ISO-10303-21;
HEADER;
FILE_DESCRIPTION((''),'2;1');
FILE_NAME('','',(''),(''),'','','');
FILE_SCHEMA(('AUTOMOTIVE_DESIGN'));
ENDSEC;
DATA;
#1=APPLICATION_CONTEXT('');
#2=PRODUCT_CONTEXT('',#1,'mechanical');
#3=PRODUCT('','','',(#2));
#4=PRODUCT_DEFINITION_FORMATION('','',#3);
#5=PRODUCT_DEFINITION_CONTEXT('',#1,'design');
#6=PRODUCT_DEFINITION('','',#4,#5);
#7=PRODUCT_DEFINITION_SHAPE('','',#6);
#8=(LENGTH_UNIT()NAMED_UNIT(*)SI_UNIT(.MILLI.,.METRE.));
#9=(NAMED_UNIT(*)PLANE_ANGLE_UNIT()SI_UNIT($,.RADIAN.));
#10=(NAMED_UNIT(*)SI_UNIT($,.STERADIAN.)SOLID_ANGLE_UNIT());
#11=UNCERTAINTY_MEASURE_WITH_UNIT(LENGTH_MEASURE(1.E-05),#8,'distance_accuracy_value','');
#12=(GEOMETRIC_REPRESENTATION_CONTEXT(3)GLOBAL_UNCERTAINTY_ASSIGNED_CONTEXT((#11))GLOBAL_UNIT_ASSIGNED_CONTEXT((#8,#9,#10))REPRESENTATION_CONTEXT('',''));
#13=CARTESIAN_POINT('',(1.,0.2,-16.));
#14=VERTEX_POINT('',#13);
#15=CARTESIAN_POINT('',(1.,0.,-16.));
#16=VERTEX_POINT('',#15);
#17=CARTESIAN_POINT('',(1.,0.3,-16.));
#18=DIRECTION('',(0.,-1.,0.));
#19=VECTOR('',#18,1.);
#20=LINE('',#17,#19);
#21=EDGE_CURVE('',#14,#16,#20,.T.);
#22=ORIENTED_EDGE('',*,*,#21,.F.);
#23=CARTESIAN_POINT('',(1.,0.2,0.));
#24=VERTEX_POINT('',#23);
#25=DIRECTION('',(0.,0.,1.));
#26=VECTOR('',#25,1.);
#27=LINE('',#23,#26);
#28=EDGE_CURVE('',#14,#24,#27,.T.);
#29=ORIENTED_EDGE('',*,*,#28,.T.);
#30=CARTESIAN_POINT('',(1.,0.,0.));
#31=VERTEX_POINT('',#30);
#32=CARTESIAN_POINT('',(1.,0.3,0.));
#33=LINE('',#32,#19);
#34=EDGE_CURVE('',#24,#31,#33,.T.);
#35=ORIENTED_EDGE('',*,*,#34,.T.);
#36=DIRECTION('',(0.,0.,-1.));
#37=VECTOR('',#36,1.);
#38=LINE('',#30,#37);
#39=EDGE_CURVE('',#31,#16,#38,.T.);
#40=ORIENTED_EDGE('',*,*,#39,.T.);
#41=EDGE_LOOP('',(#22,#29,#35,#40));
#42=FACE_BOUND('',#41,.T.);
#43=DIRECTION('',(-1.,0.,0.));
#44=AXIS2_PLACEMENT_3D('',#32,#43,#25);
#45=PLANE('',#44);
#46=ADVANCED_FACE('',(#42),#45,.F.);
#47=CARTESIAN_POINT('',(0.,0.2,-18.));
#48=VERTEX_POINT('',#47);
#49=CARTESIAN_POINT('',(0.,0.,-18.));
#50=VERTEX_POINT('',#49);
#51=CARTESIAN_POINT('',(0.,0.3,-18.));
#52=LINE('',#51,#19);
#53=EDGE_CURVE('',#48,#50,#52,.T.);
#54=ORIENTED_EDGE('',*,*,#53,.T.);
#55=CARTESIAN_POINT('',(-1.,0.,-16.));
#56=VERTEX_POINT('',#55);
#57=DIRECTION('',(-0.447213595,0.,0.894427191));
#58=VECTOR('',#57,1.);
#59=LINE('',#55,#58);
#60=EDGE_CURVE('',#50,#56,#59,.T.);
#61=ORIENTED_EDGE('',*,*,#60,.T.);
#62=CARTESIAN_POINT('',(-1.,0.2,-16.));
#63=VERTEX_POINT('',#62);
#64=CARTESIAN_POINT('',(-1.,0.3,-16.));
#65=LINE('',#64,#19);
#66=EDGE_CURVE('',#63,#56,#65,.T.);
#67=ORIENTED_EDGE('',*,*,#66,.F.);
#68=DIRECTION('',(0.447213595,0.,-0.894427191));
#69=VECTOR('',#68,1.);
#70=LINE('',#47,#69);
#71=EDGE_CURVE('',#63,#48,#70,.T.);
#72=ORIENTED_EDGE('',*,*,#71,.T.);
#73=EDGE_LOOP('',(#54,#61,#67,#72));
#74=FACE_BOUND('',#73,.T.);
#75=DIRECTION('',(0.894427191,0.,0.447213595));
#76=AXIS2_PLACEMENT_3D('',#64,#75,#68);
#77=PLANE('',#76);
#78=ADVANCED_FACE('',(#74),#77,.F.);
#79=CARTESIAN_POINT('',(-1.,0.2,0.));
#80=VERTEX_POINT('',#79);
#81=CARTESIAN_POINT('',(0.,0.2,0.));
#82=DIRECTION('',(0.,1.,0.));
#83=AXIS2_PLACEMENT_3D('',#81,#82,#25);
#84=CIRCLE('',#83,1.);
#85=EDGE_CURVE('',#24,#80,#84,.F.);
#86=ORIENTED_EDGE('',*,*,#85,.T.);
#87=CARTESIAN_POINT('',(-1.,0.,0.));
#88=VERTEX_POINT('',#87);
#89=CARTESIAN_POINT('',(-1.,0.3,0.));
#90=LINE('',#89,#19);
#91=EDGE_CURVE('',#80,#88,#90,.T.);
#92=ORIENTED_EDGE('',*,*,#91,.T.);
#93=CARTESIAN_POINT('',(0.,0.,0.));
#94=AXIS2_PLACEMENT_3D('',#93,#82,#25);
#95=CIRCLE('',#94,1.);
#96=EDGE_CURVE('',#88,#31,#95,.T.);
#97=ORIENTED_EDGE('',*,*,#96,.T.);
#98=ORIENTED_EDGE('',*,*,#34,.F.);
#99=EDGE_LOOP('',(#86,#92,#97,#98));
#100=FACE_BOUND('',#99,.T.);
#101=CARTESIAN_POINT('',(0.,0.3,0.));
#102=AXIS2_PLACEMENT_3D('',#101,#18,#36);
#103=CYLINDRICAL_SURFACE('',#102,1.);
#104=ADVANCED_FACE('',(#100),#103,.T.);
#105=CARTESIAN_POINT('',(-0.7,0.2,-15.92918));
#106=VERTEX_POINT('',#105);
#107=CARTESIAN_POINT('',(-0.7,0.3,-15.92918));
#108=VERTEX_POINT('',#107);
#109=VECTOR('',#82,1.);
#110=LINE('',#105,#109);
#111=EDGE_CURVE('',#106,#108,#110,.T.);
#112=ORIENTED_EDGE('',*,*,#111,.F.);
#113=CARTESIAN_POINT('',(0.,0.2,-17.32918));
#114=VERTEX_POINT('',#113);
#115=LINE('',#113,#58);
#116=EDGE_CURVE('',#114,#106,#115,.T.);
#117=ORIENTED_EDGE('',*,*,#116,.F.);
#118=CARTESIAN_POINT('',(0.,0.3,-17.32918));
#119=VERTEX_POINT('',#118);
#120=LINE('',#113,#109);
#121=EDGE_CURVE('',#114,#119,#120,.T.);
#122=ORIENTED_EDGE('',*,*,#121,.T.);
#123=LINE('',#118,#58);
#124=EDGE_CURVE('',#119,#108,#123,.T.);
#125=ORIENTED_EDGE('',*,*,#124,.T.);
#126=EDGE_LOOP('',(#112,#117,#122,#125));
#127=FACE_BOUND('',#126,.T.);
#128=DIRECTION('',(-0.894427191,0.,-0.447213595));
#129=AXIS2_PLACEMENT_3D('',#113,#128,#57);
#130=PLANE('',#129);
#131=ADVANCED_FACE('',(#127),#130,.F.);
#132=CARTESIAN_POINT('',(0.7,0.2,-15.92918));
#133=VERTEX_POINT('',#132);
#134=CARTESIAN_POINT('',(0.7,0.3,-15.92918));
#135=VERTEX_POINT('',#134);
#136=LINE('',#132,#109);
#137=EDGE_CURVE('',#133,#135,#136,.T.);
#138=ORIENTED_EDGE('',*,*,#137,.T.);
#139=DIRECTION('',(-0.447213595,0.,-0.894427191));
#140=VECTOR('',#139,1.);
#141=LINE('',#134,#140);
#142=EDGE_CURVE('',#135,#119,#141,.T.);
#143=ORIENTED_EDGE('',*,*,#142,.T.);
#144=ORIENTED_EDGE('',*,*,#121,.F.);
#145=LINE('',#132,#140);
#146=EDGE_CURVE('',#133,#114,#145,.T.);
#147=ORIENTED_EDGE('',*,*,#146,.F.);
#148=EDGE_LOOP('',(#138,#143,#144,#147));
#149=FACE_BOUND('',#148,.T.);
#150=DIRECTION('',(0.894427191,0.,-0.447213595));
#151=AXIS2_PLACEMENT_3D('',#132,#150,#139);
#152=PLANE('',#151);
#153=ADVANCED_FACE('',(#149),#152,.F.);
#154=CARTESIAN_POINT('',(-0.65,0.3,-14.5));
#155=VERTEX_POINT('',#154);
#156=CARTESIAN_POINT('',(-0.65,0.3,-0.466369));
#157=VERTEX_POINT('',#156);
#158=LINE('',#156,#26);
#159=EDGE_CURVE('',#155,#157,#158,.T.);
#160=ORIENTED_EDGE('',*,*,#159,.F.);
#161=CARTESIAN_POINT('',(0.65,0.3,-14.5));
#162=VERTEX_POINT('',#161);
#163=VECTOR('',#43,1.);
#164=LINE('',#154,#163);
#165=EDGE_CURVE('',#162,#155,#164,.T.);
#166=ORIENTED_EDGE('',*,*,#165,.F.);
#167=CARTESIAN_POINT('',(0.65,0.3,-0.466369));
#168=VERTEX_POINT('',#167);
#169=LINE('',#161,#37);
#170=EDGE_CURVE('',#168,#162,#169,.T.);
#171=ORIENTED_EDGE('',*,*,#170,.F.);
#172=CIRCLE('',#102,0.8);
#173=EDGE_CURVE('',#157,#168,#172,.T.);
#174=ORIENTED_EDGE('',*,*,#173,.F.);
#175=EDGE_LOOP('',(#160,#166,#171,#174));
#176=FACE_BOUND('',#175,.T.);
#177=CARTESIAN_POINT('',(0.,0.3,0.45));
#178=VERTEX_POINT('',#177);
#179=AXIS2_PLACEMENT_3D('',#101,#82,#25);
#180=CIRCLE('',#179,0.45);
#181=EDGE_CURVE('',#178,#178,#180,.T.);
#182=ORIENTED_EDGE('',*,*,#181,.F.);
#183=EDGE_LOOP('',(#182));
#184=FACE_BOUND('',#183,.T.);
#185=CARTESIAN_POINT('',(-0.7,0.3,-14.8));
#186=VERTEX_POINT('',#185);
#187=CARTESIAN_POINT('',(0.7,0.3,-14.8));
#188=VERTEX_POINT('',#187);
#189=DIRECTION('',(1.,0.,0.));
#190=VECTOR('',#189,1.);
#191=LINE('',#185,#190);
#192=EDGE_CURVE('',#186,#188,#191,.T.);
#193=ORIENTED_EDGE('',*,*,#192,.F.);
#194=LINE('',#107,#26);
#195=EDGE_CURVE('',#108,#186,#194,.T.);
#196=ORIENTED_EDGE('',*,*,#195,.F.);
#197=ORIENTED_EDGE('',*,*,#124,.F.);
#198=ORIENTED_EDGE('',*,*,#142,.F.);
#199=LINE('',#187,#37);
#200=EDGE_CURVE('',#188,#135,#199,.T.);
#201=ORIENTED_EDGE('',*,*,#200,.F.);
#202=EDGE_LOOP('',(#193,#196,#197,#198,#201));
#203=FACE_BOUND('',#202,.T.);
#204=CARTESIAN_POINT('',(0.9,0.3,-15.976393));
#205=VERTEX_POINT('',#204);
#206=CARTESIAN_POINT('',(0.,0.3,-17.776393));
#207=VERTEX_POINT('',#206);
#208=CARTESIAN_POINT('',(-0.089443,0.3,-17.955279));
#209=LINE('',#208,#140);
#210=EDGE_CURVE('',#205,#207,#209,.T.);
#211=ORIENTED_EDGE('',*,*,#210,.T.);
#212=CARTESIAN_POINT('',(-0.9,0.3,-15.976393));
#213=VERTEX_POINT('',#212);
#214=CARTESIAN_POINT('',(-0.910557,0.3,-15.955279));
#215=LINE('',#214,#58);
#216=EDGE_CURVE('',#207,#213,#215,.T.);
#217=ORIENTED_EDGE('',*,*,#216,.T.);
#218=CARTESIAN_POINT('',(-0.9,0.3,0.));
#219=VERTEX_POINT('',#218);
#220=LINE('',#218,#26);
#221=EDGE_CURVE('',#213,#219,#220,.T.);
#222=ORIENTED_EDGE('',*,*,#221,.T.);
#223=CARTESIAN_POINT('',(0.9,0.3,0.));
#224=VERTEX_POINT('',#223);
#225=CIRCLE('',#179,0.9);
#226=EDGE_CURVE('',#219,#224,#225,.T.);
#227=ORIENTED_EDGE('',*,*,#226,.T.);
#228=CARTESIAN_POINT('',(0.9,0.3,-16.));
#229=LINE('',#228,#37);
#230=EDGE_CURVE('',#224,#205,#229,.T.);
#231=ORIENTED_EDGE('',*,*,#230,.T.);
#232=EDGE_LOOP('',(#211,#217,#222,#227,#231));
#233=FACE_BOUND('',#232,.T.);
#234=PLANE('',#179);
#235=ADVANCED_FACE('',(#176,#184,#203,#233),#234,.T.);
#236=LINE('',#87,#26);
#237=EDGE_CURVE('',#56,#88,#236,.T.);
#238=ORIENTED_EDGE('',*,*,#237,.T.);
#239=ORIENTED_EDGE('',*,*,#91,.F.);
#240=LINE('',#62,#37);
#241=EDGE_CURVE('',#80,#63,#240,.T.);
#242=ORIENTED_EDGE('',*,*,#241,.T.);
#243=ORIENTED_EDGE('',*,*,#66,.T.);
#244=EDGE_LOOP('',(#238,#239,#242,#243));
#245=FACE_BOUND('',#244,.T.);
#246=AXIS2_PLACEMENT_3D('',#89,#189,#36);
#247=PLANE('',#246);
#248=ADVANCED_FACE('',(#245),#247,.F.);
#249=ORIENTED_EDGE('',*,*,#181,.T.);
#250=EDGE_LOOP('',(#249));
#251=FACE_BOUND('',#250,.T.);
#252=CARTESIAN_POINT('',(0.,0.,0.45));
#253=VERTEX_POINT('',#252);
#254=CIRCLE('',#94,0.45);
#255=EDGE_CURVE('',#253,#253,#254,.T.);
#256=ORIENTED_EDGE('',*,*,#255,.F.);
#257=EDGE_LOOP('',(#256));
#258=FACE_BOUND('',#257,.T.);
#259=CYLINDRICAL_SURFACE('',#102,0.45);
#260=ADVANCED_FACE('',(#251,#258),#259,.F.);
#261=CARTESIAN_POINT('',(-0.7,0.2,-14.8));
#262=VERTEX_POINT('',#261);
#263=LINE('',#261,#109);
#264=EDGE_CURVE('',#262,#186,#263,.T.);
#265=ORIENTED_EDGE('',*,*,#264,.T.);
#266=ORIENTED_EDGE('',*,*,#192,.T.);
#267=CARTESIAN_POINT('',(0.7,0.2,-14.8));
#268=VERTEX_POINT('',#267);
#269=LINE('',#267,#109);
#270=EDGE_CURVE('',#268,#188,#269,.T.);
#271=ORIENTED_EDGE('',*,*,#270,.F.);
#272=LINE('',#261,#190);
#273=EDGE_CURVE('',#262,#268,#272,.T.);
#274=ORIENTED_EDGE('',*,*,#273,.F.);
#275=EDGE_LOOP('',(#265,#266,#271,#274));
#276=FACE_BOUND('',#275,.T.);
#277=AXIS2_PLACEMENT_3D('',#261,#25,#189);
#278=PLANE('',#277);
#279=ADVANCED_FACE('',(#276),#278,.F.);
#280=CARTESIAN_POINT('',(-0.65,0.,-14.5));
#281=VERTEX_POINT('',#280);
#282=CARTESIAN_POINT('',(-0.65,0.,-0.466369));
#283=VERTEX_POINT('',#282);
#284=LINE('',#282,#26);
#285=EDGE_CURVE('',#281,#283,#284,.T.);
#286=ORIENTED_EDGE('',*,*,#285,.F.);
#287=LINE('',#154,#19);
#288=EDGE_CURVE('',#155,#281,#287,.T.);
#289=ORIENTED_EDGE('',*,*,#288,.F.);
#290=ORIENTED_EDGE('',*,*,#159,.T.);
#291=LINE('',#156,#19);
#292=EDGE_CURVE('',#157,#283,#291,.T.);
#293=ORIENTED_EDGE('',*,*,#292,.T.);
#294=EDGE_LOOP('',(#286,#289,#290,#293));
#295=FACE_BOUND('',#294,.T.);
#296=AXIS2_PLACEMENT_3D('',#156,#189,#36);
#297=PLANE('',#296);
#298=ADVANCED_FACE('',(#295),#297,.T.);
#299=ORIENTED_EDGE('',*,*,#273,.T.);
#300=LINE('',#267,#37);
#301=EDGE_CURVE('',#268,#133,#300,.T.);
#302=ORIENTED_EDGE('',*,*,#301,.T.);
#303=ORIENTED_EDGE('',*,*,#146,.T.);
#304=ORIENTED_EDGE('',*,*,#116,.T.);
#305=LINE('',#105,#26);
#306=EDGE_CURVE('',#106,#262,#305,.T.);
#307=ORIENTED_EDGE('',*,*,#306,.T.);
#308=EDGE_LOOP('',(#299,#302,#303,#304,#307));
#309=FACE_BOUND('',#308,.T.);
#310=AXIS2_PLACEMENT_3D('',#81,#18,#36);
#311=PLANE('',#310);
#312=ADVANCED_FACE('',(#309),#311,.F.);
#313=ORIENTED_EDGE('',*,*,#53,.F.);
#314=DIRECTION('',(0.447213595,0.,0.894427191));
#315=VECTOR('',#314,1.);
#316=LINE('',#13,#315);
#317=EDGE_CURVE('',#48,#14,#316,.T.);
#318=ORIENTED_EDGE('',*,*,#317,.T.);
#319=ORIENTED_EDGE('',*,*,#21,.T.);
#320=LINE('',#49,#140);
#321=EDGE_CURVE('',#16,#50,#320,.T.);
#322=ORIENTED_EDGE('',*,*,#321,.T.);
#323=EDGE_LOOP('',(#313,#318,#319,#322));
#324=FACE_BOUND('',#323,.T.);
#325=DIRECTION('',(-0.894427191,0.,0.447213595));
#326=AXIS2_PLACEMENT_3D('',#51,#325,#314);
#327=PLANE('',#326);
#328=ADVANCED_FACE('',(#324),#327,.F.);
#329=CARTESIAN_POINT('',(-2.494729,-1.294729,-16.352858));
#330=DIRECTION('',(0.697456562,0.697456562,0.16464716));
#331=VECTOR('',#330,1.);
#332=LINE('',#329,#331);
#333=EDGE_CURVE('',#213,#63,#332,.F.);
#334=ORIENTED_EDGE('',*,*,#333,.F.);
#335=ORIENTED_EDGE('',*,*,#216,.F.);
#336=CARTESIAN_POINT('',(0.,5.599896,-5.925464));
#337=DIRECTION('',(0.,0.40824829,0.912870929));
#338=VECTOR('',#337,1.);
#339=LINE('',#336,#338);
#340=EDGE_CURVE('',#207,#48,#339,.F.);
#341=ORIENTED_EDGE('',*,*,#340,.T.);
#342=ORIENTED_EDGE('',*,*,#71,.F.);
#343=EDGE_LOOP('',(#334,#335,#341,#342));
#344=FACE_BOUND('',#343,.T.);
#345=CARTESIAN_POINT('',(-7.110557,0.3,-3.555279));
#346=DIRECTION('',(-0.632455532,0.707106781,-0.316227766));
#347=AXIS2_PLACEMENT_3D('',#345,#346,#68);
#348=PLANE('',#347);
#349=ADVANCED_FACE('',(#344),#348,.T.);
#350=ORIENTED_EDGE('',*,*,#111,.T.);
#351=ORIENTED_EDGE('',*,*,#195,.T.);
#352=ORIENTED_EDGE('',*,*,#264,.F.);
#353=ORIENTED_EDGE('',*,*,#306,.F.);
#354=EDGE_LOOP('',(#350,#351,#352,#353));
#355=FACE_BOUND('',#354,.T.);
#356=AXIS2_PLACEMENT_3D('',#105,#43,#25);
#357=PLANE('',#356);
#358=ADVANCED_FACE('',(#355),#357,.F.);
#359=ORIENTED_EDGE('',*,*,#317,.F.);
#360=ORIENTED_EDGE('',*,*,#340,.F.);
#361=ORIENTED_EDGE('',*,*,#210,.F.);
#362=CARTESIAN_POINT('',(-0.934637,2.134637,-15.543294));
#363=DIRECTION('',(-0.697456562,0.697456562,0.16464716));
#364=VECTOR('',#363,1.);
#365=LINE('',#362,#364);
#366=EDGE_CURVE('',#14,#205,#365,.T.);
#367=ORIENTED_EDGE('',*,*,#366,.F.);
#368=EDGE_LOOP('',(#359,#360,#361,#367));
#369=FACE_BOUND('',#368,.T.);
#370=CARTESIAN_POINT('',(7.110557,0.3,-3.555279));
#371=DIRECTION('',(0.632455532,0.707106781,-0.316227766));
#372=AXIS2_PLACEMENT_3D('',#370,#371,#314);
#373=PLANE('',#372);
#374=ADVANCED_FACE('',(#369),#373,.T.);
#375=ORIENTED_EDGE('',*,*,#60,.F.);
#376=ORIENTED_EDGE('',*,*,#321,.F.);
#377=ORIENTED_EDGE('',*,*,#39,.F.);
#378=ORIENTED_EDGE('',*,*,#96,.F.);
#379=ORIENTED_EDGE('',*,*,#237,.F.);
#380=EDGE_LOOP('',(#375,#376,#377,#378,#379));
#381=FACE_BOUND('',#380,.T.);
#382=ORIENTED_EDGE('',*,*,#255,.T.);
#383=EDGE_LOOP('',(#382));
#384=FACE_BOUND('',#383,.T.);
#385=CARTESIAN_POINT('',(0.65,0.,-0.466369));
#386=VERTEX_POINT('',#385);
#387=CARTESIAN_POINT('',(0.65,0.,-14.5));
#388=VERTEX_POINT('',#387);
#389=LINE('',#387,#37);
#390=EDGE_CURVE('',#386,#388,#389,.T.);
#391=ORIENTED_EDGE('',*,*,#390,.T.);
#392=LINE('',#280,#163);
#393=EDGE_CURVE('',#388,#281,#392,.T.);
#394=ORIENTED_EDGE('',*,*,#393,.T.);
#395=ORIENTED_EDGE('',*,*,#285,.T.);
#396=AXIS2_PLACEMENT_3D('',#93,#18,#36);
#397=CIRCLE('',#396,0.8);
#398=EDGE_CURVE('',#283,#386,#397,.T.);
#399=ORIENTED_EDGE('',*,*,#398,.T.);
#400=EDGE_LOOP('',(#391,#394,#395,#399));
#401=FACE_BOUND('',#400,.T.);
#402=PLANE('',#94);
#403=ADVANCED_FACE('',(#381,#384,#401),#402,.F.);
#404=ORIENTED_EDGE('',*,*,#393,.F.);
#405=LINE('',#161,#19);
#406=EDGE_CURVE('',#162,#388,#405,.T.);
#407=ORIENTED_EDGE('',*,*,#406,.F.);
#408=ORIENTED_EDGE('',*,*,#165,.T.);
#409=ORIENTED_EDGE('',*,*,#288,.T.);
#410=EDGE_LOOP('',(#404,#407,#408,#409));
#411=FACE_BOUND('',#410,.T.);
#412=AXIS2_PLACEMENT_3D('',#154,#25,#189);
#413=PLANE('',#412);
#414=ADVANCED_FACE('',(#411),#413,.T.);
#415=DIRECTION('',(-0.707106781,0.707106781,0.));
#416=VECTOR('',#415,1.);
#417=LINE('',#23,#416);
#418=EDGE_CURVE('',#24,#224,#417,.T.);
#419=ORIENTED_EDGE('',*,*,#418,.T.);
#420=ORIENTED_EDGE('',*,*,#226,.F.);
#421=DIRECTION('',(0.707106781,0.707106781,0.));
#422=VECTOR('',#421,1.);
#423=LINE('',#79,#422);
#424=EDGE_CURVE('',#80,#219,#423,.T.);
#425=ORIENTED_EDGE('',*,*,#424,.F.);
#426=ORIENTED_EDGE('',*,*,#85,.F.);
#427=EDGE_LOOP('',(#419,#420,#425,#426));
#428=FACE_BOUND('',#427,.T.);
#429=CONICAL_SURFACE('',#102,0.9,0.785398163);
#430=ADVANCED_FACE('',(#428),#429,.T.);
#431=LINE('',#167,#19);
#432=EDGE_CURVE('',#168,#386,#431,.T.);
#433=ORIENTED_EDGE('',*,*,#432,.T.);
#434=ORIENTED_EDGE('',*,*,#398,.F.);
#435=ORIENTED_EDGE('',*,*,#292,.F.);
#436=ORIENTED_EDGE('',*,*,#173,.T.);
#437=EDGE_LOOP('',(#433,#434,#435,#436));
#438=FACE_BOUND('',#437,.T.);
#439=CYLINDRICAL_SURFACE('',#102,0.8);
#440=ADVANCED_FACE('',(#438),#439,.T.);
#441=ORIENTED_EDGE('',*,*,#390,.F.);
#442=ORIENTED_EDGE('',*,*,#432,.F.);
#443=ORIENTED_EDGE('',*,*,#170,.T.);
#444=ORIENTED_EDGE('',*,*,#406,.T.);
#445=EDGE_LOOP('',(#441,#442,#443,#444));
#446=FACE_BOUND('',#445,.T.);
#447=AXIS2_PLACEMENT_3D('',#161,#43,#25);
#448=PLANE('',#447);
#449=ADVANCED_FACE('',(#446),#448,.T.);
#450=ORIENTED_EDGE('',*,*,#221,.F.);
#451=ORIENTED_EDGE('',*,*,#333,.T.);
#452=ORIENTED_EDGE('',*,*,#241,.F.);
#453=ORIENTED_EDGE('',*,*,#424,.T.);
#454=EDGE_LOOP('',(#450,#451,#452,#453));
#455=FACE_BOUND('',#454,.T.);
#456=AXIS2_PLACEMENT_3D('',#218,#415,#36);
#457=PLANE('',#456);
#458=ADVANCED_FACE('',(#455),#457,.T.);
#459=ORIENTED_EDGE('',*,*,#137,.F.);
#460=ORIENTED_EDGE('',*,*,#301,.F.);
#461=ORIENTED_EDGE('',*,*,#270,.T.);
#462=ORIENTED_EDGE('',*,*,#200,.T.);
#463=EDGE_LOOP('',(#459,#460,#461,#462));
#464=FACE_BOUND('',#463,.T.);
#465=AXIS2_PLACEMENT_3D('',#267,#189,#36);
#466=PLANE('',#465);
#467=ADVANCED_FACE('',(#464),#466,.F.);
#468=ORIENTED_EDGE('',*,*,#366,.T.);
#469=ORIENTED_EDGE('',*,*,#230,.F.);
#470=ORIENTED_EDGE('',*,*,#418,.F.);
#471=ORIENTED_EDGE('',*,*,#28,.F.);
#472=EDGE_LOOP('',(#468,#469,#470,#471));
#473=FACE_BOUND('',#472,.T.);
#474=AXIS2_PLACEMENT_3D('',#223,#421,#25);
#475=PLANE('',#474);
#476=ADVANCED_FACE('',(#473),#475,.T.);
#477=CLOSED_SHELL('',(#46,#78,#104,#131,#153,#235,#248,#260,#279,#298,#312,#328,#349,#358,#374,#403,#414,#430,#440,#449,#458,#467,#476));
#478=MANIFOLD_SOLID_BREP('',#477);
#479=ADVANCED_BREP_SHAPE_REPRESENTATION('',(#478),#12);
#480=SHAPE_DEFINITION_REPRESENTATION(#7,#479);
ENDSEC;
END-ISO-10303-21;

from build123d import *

# Parameters (mm, degrees)
SKETCH1_R           = 0.45
BOSS_EXTRUDE1_DEPTH = 0.3
CUT_EXTRUDE1_DEPTH  = 0.1
CHAMFER1_SIZE       = 0.1


with BuildPart() as part:
    # Sketch1 → Boss-Extrude1 (new body)
    with BuildSketch(Plane(origin=(0, 0, 0), x_dir=(1, 0, 0), z_dir=(0, 1, 0))):
        with BuildLine():
            Line((-1, 0), (-1, 16))
            Line((-1, 16), (0, 18))
            Line((0, 18), (1, 16))
            Line((1, 16), (1, 0))
            ThreePointArc((1, 0), (0, -1), (-1, 0))
        make_face()
        Circle(SKETCH1_R, mode=Mode.SUBTRACT)
        with BuildLine():
            Line((-0.65, 0.466368953), (-0.65, 14.5))
            Line((-0.65, 14.5), (0.65, 14.5))
            Line((0.65, 14.5), (0.65, 0.466368953))
            ThreePointArc((0.65, 0.466368953), (0, 0.8), (-0.65, 0.466368953))
        make_face(mode=Mode.SUBTRACT)
    extrude(amount=BOSS_EXTRUDE1_DEPTH)

    # Sketch2 → Cut-Extrude1 (cut)
    with BuildSketch(Plane(origin=(0, 0.3, 0), x_dir=(1, 0, 0), z_dir=(0, 1, 0))):
        Polygon((-0.7, 15.929179607), (-0.7, 14.8), (0.7, 14.8), (0.7, 15.929179607), (0, 17.329179607), align=None)
    extrude(amount=-CUT_EXTRUDE1_DEPTH, mode=Mode.SUBTRACT)

    # Chamfer1
    chamfer1_edges = [part.edges().sort_by_distance(p)[0] for p in [
        (0.5, 0.3, -17),
        (-0.5, 0.3, -17),
        (-1, 0.3, -8),
        (0, 0.3, 1),
        (1, 0.3, -8),
    ]]
    chamfer(chamfer1_edges, length=CHAMFER1_SIZE)


solid = part.part
